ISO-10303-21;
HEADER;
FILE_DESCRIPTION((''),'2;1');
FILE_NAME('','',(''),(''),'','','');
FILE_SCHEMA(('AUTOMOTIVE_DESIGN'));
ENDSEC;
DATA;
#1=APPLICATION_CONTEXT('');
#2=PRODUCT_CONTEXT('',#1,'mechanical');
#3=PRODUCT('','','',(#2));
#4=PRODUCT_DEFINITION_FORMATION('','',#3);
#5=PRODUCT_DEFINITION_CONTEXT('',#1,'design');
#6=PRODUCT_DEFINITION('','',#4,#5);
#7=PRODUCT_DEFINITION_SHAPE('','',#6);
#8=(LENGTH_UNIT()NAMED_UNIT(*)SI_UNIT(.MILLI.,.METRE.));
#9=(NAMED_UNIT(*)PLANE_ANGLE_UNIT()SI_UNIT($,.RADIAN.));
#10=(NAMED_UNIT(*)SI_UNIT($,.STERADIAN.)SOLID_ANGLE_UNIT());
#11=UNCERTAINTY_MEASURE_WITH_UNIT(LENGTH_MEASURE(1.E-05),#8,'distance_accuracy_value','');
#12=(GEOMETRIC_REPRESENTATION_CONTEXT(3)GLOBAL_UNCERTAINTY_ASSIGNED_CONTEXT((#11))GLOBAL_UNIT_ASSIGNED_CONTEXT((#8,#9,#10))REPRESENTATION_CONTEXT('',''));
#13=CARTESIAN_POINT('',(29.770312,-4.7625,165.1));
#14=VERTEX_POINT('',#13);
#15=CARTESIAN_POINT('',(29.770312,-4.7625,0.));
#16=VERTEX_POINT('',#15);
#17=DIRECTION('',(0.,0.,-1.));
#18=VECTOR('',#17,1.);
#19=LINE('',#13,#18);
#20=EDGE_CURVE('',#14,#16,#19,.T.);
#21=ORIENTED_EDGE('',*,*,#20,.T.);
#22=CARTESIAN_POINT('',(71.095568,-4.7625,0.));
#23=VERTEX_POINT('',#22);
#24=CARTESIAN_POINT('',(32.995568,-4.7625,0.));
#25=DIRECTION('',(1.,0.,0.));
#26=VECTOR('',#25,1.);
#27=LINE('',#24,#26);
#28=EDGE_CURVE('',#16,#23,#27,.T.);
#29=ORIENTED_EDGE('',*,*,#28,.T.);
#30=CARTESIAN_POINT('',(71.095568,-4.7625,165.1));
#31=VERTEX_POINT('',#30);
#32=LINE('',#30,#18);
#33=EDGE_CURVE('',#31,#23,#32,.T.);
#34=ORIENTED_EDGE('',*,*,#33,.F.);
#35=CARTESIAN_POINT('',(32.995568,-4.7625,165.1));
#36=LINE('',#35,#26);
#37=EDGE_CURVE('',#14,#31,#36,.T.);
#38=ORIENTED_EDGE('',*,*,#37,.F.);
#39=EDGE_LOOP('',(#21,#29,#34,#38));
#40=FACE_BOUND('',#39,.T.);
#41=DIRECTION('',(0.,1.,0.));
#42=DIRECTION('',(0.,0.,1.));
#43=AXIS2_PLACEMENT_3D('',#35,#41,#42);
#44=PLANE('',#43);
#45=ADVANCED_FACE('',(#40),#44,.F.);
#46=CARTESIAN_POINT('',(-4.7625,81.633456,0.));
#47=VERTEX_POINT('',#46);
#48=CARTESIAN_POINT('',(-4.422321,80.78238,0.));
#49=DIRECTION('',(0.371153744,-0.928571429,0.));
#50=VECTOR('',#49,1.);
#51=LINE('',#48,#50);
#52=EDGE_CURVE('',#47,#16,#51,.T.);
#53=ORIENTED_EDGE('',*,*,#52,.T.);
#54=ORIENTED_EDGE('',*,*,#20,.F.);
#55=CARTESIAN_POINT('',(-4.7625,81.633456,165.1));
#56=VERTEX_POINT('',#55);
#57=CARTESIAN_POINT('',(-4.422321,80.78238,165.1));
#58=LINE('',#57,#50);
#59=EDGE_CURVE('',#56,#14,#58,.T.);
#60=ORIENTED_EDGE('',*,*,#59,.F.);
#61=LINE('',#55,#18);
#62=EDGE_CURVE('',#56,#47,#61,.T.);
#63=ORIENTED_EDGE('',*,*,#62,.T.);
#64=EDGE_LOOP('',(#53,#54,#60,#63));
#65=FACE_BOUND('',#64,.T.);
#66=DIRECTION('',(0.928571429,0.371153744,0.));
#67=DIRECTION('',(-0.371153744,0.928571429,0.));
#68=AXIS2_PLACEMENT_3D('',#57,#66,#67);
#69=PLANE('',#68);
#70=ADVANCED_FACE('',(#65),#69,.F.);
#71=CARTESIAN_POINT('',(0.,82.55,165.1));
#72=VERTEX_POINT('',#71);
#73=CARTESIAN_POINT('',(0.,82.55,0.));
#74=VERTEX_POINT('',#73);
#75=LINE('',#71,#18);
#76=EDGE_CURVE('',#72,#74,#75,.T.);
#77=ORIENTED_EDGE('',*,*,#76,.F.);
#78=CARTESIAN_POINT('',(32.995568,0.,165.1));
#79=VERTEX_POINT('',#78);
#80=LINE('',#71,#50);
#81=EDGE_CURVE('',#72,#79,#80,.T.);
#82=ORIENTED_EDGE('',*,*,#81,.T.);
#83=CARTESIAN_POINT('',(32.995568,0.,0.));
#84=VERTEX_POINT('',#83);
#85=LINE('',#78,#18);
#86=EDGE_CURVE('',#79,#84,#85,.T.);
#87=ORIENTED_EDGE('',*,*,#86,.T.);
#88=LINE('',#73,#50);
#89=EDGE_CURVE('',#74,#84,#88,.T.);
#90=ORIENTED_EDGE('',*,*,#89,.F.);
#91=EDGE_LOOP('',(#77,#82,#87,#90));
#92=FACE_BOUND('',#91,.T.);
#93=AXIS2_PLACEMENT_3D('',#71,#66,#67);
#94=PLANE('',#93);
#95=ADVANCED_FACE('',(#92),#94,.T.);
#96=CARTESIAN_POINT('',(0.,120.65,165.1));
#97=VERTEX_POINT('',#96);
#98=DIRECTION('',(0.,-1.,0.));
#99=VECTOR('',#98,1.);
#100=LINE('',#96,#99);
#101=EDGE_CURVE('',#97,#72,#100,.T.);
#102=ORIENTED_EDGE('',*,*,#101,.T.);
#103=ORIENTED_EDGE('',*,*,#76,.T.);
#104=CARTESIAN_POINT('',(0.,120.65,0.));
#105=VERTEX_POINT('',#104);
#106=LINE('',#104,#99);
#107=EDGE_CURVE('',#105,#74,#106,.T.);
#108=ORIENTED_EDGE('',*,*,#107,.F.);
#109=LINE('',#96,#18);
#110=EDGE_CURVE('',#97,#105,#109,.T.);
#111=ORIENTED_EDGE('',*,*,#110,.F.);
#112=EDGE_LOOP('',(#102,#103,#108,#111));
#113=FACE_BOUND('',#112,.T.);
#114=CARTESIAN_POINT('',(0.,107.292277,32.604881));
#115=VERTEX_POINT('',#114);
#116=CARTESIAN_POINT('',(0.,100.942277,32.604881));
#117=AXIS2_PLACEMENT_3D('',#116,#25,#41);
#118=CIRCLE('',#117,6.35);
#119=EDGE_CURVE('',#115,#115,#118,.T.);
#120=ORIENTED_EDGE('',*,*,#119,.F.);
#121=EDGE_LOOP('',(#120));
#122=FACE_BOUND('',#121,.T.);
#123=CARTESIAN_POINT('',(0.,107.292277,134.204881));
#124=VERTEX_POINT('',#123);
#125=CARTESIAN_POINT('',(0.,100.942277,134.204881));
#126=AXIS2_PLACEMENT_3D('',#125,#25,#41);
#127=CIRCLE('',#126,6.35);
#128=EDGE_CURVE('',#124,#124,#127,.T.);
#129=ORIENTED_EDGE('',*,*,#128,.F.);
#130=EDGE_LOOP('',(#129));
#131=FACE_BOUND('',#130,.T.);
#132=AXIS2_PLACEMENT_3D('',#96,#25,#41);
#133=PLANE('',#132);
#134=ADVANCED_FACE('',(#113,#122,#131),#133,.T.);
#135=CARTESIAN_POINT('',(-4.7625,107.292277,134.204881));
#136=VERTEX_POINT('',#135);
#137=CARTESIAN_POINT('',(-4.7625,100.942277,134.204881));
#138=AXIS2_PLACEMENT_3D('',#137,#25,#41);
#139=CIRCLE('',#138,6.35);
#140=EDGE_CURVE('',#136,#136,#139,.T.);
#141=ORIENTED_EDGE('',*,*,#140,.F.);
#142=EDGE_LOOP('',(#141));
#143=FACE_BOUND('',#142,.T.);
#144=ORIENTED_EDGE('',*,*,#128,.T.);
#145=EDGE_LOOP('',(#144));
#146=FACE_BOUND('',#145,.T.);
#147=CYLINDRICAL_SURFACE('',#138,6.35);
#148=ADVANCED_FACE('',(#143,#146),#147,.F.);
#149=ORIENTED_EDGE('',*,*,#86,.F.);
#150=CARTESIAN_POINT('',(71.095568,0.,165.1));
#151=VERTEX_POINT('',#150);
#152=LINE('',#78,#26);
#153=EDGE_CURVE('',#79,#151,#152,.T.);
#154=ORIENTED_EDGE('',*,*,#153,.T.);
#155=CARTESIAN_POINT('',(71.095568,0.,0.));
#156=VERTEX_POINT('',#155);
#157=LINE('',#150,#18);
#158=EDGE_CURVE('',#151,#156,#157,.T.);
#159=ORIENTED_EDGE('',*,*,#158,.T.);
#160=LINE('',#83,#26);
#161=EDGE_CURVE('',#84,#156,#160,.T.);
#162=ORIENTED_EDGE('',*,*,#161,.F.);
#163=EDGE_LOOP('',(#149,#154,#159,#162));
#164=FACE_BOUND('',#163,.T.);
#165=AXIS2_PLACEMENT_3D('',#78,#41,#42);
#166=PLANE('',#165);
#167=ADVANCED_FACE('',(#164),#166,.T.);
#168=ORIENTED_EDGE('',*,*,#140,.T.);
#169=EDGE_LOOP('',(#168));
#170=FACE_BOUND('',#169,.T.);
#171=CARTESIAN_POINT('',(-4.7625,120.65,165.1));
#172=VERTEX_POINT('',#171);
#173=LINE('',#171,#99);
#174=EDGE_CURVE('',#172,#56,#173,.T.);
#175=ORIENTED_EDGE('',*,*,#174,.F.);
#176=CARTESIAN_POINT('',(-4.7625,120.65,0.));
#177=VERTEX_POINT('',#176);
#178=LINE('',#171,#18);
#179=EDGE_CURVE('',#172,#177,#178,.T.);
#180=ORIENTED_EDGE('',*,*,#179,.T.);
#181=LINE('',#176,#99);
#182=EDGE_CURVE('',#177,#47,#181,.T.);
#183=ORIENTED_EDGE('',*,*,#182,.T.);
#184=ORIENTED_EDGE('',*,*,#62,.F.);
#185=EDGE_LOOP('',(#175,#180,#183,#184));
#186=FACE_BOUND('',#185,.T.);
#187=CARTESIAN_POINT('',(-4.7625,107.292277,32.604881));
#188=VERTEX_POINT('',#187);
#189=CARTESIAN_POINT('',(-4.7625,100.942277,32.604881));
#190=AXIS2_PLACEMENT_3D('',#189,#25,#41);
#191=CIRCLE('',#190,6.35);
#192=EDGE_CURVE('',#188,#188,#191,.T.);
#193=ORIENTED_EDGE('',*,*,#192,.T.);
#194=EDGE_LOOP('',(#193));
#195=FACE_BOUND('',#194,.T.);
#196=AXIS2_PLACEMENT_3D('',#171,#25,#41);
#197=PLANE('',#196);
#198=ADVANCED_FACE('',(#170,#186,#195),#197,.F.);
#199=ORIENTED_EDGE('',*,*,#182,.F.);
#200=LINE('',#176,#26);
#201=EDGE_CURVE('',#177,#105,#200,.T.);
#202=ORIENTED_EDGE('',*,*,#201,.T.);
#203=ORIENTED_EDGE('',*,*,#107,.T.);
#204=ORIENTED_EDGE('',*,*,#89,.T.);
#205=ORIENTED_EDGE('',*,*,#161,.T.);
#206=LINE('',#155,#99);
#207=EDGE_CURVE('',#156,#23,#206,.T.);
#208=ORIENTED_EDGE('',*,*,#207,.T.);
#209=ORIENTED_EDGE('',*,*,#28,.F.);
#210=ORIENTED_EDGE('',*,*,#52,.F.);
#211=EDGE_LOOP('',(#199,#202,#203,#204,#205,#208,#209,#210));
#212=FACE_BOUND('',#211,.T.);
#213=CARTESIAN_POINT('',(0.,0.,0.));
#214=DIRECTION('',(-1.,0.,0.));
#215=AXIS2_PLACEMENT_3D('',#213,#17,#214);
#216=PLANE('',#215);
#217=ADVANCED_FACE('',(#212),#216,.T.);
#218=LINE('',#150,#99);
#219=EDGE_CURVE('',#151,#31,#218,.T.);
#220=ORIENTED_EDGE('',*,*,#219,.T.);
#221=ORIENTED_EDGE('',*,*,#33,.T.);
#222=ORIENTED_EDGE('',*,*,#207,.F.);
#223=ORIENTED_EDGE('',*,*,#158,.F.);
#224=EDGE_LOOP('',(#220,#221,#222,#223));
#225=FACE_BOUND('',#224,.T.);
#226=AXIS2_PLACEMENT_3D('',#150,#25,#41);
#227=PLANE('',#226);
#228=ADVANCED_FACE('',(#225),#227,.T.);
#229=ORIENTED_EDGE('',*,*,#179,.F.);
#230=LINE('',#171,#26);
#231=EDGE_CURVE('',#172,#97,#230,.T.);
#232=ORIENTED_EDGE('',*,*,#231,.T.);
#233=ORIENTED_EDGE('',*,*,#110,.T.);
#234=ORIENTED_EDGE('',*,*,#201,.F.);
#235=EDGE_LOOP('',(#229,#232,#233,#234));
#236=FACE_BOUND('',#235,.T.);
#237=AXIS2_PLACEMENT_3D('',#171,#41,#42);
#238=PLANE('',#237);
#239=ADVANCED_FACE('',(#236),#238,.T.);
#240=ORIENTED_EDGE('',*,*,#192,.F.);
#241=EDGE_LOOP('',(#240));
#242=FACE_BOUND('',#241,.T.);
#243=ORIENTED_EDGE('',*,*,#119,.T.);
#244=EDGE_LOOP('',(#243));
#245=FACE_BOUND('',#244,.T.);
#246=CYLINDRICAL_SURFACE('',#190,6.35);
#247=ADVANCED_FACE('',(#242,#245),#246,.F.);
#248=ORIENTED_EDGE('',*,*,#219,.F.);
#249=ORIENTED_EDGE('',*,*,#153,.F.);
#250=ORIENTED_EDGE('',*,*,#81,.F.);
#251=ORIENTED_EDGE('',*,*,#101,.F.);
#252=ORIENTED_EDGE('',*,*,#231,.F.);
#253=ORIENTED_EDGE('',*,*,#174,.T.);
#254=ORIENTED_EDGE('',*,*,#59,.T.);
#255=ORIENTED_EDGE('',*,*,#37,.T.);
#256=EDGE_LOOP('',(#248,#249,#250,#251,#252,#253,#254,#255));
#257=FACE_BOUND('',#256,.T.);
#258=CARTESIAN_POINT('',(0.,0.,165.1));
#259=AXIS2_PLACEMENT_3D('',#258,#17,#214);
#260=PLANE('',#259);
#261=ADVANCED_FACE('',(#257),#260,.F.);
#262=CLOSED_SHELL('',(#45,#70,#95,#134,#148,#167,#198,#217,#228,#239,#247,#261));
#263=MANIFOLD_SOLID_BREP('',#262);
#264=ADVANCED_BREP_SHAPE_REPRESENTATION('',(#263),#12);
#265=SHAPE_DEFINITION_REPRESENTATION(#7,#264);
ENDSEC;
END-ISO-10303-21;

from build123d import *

# Parameters (mm, degrees)
EXTRUDE_THIN1_DEPTH = 165.1
SKETCH2_R           = 6.35
CUT_EXTRUDE1_DEPTH  = 5.7625


with BuildPart() as part:
    # Sketch1 → Extrude-Thin1 (new body)
    with BuildSketch(Plane.XY):
        Polygon((0, 120.65), (0, 82.55), (32.995567884, 0), (71.095567884, 0), (71.095567884, -4.7625), (29.770312185, -4.7625), (-4.7625, 81.633456448), (-4.7625, 120.65), align=None)
    extrude(amount=EXTRUDE_THIN1_DEPTH)

    # Sketch2 → Cut-Extrude1 (cut, through all)
    with BuildSketch(Plane(origin=(0, 0, 0), x_dir=(0, 0, -1), z_dir=(1, 0, 0))):
        with Locations((-134.204880657, 100.94227704)):
            Circle(SKETCH2_R)
        with Locations((-32.604880657, 100.94227704)):
            Circle(SKETCH2_R)
    extrude(amount=-CUT_EXTRUDE1_DEPTH, mode=Mode.SUBTRACT)


solid = part.part
